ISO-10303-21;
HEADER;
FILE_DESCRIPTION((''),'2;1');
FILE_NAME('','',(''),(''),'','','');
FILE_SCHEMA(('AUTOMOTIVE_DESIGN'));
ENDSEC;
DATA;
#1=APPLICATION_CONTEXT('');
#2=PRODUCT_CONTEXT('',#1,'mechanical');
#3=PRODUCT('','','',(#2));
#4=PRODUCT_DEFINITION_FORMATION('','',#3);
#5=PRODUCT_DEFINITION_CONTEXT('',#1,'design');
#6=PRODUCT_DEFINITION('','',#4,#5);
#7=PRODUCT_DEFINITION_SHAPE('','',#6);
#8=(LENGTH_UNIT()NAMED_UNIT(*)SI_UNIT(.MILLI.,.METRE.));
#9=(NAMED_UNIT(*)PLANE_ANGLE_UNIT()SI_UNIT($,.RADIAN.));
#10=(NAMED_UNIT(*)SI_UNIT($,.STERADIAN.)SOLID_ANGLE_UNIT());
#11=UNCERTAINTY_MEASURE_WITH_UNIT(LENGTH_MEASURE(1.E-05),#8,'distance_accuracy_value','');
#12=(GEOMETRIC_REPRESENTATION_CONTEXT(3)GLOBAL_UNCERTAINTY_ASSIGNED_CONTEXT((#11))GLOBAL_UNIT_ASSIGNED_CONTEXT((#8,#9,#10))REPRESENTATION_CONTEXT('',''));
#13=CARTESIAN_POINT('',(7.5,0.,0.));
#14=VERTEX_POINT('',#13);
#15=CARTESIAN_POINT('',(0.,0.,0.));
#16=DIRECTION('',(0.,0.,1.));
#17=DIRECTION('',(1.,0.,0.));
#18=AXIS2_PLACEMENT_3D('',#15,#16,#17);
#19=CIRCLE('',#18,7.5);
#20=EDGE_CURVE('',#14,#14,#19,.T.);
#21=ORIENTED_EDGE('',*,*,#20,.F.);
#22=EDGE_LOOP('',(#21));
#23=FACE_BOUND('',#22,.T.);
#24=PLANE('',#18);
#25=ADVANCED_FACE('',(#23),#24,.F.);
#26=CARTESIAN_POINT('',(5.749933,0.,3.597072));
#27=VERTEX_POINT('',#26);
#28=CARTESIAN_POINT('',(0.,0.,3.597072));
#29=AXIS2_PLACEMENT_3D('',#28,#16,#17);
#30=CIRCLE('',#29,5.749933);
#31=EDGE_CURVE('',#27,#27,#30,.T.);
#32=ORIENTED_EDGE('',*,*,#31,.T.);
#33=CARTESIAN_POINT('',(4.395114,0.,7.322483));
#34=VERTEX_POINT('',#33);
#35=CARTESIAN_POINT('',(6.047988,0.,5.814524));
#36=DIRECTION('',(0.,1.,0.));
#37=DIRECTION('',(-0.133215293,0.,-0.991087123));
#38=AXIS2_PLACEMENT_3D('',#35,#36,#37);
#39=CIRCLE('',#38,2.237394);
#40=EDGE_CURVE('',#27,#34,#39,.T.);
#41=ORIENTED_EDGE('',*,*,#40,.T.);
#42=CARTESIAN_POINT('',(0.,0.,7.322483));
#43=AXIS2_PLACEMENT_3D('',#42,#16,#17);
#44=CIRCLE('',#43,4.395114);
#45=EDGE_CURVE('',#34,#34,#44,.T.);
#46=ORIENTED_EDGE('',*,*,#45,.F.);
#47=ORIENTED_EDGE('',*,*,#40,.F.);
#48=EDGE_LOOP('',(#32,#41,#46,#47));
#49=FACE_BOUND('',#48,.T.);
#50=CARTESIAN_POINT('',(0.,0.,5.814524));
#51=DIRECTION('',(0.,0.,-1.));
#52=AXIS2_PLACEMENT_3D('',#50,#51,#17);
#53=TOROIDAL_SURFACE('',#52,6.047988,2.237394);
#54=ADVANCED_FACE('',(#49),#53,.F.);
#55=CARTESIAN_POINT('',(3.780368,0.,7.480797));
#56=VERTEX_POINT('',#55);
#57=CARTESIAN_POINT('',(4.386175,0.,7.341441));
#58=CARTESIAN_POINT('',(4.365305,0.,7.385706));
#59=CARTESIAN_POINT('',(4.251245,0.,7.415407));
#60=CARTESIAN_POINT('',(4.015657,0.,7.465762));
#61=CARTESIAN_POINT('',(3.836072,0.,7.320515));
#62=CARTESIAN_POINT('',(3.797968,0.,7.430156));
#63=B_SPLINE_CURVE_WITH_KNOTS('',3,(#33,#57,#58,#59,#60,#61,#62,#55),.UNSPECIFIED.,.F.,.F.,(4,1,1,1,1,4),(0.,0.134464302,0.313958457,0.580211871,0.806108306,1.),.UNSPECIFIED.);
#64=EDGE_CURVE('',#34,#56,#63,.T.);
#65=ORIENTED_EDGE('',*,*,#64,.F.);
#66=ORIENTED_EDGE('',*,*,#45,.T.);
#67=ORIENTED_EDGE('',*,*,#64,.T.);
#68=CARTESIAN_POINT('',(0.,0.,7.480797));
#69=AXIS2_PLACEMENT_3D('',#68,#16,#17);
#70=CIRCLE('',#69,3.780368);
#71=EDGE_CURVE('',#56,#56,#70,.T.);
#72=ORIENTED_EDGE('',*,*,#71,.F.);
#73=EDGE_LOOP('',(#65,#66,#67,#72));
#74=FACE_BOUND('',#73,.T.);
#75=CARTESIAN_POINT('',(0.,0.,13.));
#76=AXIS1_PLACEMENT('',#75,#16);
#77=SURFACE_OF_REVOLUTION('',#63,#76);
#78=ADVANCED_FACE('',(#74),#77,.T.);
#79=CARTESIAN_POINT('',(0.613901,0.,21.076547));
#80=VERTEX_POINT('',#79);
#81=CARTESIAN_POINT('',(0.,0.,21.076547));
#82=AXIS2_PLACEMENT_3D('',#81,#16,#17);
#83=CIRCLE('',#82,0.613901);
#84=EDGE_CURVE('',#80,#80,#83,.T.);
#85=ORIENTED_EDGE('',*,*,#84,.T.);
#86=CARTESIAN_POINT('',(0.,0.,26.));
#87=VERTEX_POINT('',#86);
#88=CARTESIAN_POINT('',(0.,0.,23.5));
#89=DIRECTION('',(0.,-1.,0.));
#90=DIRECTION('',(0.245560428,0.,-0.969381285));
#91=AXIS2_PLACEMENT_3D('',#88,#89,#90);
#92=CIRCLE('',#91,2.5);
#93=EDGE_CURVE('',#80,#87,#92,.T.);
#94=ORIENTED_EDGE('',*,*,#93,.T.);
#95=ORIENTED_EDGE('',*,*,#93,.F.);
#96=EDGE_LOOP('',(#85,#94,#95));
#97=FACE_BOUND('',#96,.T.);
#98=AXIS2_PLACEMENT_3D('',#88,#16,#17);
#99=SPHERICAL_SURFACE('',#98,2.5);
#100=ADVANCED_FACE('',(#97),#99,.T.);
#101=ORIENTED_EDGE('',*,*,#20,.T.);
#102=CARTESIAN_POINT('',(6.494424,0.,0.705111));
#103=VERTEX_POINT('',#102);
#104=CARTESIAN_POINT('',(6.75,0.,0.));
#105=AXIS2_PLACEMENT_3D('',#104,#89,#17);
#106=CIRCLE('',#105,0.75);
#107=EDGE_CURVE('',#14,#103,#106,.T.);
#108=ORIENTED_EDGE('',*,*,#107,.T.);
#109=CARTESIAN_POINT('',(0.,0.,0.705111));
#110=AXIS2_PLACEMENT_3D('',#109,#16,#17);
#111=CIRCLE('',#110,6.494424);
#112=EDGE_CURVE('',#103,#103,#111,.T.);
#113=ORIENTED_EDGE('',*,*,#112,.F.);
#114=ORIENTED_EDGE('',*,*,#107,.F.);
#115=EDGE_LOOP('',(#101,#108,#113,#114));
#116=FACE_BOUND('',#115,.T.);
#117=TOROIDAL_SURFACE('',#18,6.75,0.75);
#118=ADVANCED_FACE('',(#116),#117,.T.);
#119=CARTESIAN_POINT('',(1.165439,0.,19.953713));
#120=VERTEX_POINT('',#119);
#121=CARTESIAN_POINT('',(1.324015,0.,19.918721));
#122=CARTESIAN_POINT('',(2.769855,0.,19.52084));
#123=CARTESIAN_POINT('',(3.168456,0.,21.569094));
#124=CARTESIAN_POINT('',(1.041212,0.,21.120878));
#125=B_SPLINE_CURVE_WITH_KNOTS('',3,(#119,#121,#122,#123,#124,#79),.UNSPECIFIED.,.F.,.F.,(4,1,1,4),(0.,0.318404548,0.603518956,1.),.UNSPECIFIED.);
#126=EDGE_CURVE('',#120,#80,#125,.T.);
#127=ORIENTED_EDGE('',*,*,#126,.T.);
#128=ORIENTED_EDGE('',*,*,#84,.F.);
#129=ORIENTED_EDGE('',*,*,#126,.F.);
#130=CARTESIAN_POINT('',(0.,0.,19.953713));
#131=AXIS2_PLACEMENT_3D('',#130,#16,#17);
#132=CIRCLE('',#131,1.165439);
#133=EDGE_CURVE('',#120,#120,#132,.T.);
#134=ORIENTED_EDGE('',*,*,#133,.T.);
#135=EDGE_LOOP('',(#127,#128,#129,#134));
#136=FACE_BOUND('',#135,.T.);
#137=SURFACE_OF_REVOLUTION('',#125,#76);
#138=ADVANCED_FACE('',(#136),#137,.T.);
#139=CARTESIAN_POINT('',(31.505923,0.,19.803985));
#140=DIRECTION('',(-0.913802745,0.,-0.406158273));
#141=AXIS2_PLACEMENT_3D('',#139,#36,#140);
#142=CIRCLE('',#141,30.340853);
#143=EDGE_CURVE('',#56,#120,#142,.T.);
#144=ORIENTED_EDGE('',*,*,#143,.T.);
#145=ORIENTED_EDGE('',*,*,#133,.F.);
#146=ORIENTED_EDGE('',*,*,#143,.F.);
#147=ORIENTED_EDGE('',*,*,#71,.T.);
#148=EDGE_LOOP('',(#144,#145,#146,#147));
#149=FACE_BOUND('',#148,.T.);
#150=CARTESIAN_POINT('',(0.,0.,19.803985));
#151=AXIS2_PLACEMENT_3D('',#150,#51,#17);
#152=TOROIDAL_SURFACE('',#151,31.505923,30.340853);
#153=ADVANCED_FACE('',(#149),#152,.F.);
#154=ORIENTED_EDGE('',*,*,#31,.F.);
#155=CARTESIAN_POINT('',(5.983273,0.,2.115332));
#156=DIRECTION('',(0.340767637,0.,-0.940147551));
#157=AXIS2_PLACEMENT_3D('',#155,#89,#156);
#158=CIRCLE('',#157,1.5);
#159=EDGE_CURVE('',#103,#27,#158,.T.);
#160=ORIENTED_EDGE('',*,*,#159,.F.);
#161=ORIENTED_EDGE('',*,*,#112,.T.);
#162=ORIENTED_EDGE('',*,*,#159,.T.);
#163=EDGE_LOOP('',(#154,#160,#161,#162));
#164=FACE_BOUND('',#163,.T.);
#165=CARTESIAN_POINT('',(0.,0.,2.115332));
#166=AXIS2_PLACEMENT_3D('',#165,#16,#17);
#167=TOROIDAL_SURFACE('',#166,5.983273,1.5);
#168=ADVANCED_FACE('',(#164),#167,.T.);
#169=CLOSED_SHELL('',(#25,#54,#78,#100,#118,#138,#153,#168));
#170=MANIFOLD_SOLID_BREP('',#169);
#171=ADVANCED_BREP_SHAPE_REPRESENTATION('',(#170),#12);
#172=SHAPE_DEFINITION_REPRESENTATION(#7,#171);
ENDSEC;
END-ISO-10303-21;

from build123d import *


with BuildPart() as f1:
    # F0 (on Front) → F1 (revolve)
    with BuildSketch(Plane.XZ):
        with BuildLine():
            Line((0, 26), (0, 0))
            Line((0, 0), (7.5, 0))
            ThreePointArc((7.5, 0), (7.1805915721, 0.6140772737), (6.494424272, 0.7051106631))
            ThreePointArc((6.494424272, 0.7051106631), (7.4359098551, 2.4892913887), (5.7499327285, 3.5970716438))
            ThreePointArc((5.7499327285, 3.5970716438), (3.9453219218, 5.0498485417), (4.3951137169, 7.3224831846))
            add(Edge.make_bspline(
                [(4.3951137169, 7.3224831846), (4.3861753825, 7.3414413603), (4.3653054145, 7.3857064888), (4.2512448556, 7.4154065205), (4.0156571331, 7.4657618185), (3.8360719725, 7.3205151636), (3.7979678006, 7.4301559965), (3.7803682499, 7.4807968922)],
                knots=[0, 0, 0, 0, 0.1344643022, 0.3139584572, 0.5802118712, 0.8061083056, 1, 1, 1, 1], degree=3))
            ThreePointArc((3.7803682499, 7.4807968922), (1.8106437757, 13.5784129869), (1.1654394912, 19.953712821))
            add(Edge.make_bspline(
                [(1.1654394912, 19.953712821), (1.324015153, 19.9187210267), (2.7698548896, 19.5208398123), (3.1684556571, 21.5690936559), (1.0412119451, 21.1208779413), (0.6139010709, 21.0765467871)],
                knots=[0, 0, 0, 0, 0.318404548, 0.6035189565, 1, 1, 1, 1], degree=3))
            ThreePointArc((0.6139010709, 21.0765467871), (2.4807894945, 23.8093274703), (0, 26))
        make_face()
    revolve(axis=Axis((0, 0, 13), (0, 0, 1)))


solid = f1.part
